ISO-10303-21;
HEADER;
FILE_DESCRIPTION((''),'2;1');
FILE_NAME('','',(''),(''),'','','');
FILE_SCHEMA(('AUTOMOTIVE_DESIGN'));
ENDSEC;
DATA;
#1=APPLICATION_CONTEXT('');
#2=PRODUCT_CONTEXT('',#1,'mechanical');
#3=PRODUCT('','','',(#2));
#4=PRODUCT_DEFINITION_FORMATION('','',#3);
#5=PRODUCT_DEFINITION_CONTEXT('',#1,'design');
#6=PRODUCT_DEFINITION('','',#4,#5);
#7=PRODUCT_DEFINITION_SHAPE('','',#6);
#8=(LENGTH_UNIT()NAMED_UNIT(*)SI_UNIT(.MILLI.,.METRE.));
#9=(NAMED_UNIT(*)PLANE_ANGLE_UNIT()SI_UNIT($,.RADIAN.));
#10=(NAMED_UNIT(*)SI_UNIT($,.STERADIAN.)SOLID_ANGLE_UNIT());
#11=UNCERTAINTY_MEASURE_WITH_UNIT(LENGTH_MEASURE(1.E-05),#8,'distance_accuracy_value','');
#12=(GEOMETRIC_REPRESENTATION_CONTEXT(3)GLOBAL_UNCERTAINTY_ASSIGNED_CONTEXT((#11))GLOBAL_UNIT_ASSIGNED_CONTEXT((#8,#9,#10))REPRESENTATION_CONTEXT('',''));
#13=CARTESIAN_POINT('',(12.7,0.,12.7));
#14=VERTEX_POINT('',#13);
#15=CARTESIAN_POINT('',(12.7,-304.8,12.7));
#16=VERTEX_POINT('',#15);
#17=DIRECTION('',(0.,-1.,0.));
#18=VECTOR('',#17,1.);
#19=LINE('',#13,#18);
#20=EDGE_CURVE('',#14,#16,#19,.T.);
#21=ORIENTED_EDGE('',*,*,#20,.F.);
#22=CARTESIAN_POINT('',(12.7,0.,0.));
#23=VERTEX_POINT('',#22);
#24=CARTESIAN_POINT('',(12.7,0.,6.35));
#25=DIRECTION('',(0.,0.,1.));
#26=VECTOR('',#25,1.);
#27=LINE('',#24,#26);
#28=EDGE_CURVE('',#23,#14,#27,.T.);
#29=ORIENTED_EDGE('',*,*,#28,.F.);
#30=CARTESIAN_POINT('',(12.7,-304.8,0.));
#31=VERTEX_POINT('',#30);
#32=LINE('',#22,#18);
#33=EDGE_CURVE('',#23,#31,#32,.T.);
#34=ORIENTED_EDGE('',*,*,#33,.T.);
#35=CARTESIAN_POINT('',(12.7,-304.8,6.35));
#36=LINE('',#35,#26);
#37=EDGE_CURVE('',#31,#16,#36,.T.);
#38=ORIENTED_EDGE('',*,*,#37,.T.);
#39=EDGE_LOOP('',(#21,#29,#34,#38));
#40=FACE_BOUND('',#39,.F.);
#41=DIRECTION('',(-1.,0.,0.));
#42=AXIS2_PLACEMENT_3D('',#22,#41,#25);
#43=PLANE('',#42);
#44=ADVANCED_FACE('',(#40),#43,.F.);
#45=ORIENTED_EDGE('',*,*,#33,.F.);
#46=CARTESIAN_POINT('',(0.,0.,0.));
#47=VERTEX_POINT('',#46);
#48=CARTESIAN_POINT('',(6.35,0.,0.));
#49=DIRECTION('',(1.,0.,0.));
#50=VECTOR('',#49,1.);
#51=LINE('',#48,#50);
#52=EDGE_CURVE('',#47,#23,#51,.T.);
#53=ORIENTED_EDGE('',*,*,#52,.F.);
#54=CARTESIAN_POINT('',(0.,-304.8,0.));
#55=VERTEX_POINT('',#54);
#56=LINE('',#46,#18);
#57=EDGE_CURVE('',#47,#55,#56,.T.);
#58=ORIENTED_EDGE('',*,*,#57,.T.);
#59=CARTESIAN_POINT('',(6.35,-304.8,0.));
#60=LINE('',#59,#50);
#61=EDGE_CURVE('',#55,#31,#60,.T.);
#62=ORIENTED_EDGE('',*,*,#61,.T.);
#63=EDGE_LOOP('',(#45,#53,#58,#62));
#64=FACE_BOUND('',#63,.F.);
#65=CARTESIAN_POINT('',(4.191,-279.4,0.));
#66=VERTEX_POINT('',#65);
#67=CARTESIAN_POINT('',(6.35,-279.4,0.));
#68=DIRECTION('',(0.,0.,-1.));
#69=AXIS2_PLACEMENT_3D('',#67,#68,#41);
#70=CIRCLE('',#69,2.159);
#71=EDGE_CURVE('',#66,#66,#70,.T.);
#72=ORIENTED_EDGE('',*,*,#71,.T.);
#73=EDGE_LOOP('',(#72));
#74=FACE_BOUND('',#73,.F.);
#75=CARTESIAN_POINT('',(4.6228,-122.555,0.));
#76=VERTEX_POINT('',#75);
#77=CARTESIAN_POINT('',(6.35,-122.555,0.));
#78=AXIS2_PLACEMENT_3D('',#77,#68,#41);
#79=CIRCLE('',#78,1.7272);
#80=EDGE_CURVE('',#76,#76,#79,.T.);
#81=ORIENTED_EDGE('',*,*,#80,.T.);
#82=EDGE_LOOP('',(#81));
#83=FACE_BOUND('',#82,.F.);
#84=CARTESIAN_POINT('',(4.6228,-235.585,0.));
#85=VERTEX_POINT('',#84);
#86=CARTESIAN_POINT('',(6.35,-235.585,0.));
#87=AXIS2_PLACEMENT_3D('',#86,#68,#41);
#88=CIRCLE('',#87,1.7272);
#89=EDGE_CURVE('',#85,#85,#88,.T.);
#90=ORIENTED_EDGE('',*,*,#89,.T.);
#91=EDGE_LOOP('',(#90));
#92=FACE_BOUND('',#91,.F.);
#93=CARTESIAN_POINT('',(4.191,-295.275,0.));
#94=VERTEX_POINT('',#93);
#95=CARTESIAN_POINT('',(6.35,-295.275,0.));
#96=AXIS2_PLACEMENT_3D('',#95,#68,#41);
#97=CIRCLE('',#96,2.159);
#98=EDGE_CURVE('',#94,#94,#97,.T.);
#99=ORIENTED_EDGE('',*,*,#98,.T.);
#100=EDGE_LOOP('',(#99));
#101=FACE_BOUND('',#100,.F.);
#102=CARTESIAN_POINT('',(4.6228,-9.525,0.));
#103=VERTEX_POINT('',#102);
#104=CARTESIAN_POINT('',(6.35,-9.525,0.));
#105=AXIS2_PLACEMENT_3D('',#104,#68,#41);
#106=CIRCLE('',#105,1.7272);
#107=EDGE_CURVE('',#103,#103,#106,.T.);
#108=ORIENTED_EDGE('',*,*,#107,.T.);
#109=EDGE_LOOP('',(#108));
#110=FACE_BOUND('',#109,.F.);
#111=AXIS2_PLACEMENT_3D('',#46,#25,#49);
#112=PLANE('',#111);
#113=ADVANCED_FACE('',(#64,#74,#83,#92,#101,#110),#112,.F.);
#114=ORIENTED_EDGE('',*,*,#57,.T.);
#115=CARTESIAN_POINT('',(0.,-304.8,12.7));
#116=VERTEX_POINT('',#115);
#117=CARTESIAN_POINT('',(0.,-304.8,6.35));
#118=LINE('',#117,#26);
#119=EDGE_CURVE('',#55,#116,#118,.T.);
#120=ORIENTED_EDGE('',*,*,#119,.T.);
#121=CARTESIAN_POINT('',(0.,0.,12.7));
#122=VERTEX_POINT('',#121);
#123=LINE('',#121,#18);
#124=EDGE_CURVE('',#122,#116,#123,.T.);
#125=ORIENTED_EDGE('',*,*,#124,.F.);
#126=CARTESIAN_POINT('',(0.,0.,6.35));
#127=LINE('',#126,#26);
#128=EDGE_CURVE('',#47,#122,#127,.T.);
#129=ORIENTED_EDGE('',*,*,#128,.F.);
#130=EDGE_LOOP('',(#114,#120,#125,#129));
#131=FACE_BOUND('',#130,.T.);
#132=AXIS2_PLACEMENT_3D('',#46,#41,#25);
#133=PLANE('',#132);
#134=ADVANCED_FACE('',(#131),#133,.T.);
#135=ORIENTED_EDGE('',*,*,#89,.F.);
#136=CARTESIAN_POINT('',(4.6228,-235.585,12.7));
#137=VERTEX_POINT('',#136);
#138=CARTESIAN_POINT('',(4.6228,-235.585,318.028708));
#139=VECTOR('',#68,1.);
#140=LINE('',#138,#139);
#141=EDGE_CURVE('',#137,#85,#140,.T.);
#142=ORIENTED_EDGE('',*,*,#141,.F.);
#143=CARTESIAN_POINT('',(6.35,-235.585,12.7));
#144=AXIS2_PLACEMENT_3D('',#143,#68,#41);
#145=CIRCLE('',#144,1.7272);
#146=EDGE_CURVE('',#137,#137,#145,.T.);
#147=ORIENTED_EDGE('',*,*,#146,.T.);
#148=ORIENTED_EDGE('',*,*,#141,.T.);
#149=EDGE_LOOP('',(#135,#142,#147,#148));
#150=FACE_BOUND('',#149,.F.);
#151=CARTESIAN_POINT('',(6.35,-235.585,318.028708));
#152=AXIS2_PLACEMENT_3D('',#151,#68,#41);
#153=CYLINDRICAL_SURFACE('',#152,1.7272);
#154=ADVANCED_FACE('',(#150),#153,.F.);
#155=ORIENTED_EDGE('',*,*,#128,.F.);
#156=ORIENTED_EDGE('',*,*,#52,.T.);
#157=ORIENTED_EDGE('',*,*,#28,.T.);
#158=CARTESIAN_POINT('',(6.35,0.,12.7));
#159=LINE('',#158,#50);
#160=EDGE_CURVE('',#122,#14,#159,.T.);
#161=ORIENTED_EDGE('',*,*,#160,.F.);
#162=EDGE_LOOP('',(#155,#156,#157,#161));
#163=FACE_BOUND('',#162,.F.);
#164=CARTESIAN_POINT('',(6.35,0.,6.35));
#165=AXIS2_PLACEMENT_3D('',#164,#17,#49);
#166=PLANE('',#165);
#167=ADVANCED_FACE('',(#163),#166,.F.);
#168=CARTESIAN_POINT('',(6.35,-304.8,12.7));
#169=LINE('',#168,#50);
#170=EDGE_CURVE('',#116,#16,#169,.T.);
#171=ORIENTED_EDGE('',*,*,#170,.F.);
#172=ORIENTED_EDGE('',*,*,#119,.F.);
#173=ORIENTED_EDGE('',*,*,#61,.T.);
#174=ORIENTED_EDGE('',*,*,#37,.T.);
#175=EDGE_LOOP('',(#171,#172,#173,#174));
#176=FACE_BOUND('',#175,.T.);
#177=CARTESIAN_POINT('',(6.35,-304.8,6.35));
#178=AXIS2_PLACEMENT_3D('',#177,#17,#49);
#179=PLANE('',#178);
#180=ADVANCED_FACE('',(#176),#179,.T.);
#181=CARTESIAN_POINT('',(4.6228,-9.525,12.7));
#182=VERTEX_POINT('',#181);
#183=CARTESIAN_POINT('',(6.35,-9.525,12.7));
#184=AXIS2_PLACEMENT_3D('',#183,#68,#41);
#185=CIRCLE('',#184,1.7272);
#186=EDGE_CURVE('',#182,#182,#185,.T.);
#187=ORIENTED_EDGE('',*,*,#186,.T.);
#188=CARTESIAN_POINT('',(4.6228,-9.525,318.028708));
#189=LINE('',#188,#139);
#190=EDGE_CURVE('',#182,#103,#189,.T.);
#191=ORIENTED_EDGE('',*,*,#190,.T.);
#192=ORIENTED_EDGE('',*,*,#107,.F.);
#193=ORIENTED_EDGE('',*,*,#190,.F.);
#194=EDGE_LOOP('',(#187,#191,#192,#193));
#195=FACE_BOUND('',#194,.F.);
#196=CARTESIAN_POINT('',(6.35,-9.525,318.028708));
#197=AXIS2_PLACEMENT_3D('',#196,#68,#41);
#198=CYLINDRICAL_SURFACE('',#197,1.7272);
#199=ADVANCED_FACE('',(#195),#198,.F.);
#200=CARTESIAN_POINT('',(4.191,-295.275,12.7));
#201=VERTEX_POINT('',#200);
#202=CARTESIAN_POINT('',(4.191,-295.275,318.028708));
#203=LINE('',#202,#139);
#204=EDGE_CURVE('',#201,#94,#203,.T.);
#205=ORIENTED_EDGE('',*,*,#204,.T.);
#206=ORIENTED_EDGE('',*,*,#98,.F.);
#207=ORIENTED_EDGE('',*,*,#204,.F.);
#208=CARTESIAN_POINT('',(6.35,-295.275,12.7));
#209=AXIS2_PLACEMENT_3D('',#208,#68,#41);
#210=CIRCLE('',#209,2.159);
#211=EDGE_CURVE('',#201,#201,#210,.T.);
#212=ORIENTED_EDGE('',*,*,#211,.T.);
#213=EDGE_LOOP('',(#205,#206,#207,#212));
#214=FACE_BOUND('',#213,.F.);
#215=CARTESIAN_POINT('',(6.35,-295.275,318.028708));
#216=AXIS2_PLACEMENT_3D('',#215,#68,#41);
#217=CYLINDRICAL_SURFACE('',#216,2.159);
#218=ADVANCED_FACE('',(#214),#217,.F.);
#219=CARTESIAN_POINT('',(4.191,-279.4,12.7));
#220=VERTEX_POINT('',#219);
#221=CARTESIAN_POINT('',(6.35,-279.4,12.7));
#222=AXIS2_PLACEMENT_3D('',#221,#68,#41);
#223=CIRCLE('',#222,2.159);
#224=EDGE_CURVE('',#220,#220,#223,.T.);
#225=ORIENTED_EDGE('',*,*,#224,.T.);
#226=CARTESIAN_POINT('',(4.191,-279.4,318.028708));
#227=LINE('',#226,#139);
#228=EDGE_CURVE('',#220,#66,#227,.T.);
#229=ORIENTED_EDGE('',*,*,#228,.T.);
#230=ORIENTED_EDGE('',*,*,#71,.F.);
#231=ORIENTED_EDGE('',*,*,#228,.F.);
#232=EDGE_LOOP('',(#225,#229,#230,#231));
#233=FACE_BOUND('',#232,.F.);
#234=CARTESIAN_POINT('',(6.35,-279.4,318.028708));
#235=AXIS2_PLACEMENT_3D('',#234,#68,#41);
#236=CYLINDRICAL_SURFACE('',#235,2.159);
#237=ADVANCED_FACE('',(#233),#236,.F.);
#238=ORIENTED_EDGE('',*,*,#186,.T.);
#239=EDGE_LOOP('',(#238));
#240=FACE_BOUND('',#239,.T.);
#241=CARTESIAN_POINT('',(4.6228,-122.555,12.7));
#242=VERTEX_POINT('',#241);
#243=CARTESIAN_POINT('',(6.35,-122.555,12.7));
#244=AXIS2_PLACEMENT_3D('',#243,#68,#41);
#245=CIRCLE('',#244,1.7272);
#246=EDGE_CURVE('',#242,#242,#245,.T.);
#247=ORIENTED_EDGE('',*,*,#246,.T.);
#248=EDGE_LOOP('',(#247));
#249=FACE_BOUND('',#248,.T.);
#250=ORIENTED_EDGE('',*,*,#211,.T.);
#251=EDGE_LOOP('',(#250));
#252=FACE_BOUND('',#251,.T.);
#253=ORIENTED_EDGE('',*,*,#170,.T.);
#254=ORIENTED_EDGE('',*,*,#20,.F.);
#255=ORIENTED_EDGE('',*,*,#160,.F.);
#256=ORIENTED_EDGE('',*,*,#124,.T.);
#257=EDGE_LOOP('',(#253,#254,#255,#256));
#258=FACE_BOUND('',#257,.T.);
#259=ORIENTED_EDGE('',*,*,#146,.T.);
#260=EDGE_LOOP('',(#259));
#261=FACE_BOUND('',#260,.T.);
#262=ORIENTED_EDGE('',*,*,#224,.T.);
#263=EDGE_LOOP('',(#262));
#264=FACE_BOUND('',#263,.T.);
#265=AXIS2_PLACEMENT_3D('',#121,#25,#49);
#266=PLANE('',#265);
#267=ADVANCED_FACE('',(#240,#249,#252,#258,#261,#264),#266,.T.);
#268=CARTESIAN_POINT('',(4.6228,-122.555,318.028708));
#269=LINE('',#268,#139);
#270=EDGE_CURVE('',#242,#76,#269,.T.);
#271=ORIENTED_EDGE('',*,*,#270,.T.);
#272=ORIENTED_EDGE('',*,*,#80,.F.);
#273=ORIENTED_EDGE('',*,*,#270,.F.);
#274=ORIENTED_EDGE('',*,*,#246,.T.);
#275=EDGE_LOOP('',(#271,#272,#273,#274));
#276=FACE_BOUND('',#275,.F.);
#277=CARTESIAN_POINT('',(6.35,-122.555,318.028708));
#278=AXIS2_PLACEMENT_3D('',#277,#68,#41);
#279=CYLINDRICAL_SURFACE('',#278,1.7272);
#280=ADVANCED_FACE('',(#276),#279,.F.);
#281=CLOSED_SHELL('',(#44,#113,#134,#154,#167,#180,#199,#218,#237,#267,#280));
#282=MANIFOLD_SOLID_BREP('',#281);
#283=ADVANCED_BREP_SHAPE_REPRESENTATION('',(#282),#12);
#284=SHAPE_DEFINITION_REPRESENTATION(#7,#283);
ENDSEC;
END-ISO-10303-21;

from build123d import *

# Parameters (mm, degrees)
F0_W     = 12.7
F0_H     = 12.7
F1_DEPTH = 304.8
F3_D     = 3.4544
F5_D     = 4.318


with BuildPart() as f1:
    # F0 (on Front) → F1 (new body)
    with BuildSketch(Plane.XZ):
        with Locations((6.35, 6.35)):
            Rectangle(F0_W, F0_H)
    extrude(amount=F1_DEPTH)

    # F3 (through all)
    with Locations(Plane.XY.offset(12.7)):
        with Locations((6.35, -9.525), (6.35, -122.555), (6.35, -235.585)):
            Hole(F3_D / 2)

    # F5 (through all)
    with Locations(Plane.XY.offset(12.7)):
        with Locations((6.35, -295.275), (6.35, -279.4)):
            Hole(F5_D / 2)


solid = f1.part
